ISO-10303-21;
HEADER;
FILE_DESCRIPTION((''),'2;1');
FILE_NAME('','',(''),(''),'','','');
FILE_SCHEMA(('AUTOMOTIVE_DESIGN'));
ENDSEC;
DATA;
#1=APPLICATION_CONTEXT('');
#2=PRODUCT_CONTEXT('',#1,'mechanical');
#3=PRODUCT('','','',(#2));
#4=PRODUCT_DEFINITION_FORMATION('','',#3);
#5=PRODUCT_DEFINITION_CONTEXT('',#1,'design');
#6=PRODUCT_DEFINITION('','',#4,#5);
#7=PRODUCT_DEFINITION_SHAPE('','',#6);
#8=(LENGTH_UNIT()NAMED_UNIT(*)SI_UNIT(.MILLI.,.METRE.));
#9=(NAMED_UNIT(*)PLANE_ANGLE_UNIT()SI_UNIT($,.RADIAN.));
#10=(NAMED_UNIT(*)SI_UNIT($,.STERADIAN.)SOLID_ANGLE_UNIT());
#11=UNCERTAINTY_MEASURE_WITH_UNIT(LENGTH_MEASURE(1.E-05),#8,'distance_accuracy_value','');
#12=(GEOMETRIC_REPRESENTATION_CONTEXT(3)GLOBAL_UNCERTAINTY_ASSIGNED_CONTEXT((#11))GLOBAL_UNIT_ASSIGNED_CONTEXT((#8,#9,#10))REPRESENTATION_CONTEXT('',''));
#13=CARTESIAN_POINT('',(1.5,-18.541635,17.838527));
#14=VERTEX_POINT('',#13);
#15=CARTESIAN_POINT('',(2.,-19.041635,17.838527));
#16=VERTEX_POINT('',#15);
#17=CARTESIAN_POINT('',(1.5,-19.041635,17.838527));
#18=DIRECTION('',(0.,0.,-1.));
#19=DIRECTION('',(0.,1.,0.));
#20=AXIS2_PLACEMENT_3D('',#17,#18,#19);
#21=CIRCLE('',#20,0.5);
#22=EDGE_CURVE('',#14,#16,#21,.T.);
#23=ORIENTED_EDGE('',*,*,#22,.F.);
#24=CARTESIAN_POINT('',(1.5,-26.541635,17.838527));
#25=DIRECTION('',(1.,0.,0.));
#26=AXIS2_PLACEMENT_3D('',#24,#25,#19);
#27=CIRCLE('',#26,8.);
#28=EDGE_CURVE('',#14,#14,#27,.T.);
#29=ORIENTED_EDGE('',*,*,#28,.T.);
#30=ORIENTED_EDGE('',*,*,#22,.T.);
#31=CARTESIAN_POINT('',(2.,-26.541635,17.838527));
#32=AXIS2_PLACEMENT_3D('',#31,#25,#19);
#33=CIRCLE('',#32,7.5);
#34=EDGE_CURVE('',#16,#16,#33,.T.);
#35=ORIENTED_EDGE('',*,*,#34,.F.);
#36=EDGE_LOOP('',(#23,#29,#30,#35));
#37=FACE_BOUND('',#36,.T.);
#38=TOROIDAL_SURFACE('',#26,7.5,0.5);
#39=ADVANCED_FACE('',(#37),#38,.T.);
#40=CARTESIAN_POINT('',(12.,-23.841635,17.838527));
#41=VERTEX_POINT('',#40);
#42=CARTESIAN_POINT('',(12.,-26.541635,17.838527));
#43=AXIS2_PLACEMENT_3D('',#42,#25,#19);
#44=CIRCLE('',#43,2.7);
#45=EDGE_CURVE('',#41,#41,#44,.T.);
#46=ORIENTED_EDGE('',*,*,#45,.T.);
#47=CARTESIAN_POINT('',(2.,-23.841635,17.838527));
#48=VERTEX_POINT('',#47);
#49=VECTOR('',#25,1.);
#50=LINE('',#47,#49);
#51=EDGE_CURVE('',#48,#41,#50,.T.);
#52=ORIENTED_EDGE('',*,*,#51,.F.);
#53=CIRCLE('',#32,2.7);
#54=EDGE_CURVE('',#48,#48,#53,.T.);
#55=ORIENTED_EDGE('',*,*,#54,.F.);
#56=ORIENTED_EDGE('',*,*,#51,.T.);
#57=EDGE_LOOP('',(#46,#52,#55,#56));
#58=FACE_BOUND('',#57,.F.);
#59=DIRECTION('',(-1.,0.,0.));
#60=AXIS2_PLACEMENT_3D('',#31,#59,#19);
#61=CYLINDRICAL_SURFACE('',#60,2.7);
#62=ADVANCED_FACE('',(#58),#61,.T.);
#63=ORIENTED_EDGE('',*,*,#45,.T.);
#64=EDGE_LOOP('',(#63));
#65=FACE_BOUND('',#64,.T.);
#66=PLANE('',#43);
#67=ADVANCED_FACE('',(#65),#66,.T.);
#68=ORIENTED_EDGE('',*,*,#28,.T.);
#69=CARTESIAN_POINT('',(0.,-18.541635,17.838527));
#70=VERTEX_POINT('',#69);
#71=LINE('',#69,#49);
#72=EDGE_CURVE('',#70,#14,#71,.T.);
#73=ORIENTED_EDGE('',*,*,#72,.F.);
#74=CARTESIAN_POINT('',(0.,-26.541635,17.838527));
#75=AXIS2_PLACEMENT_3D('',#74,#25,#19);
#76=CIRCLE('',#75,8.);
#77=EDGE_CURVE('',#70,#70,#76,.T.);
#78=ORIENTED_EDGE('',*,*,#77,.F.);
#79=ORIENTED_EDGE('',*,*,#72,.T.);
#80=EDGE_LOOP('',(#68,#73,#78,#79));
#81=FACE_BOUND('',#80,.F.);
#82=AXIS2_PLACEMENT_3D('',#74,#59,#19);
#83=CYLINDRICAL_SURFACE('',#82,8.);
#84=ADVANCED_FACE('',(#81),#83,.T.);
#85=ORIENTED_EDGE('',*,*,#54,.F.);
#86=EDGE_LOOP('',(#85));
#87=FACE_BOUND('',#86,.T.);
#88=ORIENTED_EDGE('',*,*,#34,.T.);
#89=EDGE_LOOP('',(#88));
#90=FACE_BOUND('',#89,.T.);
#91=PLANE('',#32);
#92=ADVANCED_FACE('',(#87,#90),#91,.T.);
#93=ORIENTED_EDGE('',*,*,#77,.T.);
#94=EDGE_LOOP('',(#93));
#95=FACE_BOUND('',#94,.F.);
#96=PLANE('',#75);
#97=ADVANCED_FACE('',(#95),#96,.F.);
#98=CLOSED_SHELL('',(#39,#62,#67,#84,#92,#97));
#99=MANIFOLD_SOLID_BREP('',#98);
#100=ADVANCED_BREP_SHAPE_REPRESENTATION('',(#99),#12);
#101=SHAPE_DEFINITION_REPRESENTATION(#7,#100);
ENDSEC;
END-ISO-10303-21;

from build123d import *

# Parameters (mm, degrees)
F0_R     = 8
F1_DEPTH = 2
F2_R     = 2.7
F3_DEPTH = 10
F4_R     = 0.5


with BuildPart() as f1:
    # F0 (on Right) → F1 (new body)
    with BuildSketch(Plane.YZ):
        with Locations((-26.541635, 17.838527)):
            Circle(F0_R)
    extrude(amount=F1_DEPTH)

    # F2 (on face) → F3 (join)
    with BuildSketch(Plane.YZ.offset(2)):
        with Locations((-26.541635, 17.838527)):
            Circle(F2_R)
    extrude(amount=F3_DEPTH)

    # F4
    f4_edges = [f1.edges().sort_by_distance(p)[0] for p in [
        (2, -34.541635, 17.838527),
    ]]
    fillet(f4_edges, radius=F4_R)


solid = f1.part
